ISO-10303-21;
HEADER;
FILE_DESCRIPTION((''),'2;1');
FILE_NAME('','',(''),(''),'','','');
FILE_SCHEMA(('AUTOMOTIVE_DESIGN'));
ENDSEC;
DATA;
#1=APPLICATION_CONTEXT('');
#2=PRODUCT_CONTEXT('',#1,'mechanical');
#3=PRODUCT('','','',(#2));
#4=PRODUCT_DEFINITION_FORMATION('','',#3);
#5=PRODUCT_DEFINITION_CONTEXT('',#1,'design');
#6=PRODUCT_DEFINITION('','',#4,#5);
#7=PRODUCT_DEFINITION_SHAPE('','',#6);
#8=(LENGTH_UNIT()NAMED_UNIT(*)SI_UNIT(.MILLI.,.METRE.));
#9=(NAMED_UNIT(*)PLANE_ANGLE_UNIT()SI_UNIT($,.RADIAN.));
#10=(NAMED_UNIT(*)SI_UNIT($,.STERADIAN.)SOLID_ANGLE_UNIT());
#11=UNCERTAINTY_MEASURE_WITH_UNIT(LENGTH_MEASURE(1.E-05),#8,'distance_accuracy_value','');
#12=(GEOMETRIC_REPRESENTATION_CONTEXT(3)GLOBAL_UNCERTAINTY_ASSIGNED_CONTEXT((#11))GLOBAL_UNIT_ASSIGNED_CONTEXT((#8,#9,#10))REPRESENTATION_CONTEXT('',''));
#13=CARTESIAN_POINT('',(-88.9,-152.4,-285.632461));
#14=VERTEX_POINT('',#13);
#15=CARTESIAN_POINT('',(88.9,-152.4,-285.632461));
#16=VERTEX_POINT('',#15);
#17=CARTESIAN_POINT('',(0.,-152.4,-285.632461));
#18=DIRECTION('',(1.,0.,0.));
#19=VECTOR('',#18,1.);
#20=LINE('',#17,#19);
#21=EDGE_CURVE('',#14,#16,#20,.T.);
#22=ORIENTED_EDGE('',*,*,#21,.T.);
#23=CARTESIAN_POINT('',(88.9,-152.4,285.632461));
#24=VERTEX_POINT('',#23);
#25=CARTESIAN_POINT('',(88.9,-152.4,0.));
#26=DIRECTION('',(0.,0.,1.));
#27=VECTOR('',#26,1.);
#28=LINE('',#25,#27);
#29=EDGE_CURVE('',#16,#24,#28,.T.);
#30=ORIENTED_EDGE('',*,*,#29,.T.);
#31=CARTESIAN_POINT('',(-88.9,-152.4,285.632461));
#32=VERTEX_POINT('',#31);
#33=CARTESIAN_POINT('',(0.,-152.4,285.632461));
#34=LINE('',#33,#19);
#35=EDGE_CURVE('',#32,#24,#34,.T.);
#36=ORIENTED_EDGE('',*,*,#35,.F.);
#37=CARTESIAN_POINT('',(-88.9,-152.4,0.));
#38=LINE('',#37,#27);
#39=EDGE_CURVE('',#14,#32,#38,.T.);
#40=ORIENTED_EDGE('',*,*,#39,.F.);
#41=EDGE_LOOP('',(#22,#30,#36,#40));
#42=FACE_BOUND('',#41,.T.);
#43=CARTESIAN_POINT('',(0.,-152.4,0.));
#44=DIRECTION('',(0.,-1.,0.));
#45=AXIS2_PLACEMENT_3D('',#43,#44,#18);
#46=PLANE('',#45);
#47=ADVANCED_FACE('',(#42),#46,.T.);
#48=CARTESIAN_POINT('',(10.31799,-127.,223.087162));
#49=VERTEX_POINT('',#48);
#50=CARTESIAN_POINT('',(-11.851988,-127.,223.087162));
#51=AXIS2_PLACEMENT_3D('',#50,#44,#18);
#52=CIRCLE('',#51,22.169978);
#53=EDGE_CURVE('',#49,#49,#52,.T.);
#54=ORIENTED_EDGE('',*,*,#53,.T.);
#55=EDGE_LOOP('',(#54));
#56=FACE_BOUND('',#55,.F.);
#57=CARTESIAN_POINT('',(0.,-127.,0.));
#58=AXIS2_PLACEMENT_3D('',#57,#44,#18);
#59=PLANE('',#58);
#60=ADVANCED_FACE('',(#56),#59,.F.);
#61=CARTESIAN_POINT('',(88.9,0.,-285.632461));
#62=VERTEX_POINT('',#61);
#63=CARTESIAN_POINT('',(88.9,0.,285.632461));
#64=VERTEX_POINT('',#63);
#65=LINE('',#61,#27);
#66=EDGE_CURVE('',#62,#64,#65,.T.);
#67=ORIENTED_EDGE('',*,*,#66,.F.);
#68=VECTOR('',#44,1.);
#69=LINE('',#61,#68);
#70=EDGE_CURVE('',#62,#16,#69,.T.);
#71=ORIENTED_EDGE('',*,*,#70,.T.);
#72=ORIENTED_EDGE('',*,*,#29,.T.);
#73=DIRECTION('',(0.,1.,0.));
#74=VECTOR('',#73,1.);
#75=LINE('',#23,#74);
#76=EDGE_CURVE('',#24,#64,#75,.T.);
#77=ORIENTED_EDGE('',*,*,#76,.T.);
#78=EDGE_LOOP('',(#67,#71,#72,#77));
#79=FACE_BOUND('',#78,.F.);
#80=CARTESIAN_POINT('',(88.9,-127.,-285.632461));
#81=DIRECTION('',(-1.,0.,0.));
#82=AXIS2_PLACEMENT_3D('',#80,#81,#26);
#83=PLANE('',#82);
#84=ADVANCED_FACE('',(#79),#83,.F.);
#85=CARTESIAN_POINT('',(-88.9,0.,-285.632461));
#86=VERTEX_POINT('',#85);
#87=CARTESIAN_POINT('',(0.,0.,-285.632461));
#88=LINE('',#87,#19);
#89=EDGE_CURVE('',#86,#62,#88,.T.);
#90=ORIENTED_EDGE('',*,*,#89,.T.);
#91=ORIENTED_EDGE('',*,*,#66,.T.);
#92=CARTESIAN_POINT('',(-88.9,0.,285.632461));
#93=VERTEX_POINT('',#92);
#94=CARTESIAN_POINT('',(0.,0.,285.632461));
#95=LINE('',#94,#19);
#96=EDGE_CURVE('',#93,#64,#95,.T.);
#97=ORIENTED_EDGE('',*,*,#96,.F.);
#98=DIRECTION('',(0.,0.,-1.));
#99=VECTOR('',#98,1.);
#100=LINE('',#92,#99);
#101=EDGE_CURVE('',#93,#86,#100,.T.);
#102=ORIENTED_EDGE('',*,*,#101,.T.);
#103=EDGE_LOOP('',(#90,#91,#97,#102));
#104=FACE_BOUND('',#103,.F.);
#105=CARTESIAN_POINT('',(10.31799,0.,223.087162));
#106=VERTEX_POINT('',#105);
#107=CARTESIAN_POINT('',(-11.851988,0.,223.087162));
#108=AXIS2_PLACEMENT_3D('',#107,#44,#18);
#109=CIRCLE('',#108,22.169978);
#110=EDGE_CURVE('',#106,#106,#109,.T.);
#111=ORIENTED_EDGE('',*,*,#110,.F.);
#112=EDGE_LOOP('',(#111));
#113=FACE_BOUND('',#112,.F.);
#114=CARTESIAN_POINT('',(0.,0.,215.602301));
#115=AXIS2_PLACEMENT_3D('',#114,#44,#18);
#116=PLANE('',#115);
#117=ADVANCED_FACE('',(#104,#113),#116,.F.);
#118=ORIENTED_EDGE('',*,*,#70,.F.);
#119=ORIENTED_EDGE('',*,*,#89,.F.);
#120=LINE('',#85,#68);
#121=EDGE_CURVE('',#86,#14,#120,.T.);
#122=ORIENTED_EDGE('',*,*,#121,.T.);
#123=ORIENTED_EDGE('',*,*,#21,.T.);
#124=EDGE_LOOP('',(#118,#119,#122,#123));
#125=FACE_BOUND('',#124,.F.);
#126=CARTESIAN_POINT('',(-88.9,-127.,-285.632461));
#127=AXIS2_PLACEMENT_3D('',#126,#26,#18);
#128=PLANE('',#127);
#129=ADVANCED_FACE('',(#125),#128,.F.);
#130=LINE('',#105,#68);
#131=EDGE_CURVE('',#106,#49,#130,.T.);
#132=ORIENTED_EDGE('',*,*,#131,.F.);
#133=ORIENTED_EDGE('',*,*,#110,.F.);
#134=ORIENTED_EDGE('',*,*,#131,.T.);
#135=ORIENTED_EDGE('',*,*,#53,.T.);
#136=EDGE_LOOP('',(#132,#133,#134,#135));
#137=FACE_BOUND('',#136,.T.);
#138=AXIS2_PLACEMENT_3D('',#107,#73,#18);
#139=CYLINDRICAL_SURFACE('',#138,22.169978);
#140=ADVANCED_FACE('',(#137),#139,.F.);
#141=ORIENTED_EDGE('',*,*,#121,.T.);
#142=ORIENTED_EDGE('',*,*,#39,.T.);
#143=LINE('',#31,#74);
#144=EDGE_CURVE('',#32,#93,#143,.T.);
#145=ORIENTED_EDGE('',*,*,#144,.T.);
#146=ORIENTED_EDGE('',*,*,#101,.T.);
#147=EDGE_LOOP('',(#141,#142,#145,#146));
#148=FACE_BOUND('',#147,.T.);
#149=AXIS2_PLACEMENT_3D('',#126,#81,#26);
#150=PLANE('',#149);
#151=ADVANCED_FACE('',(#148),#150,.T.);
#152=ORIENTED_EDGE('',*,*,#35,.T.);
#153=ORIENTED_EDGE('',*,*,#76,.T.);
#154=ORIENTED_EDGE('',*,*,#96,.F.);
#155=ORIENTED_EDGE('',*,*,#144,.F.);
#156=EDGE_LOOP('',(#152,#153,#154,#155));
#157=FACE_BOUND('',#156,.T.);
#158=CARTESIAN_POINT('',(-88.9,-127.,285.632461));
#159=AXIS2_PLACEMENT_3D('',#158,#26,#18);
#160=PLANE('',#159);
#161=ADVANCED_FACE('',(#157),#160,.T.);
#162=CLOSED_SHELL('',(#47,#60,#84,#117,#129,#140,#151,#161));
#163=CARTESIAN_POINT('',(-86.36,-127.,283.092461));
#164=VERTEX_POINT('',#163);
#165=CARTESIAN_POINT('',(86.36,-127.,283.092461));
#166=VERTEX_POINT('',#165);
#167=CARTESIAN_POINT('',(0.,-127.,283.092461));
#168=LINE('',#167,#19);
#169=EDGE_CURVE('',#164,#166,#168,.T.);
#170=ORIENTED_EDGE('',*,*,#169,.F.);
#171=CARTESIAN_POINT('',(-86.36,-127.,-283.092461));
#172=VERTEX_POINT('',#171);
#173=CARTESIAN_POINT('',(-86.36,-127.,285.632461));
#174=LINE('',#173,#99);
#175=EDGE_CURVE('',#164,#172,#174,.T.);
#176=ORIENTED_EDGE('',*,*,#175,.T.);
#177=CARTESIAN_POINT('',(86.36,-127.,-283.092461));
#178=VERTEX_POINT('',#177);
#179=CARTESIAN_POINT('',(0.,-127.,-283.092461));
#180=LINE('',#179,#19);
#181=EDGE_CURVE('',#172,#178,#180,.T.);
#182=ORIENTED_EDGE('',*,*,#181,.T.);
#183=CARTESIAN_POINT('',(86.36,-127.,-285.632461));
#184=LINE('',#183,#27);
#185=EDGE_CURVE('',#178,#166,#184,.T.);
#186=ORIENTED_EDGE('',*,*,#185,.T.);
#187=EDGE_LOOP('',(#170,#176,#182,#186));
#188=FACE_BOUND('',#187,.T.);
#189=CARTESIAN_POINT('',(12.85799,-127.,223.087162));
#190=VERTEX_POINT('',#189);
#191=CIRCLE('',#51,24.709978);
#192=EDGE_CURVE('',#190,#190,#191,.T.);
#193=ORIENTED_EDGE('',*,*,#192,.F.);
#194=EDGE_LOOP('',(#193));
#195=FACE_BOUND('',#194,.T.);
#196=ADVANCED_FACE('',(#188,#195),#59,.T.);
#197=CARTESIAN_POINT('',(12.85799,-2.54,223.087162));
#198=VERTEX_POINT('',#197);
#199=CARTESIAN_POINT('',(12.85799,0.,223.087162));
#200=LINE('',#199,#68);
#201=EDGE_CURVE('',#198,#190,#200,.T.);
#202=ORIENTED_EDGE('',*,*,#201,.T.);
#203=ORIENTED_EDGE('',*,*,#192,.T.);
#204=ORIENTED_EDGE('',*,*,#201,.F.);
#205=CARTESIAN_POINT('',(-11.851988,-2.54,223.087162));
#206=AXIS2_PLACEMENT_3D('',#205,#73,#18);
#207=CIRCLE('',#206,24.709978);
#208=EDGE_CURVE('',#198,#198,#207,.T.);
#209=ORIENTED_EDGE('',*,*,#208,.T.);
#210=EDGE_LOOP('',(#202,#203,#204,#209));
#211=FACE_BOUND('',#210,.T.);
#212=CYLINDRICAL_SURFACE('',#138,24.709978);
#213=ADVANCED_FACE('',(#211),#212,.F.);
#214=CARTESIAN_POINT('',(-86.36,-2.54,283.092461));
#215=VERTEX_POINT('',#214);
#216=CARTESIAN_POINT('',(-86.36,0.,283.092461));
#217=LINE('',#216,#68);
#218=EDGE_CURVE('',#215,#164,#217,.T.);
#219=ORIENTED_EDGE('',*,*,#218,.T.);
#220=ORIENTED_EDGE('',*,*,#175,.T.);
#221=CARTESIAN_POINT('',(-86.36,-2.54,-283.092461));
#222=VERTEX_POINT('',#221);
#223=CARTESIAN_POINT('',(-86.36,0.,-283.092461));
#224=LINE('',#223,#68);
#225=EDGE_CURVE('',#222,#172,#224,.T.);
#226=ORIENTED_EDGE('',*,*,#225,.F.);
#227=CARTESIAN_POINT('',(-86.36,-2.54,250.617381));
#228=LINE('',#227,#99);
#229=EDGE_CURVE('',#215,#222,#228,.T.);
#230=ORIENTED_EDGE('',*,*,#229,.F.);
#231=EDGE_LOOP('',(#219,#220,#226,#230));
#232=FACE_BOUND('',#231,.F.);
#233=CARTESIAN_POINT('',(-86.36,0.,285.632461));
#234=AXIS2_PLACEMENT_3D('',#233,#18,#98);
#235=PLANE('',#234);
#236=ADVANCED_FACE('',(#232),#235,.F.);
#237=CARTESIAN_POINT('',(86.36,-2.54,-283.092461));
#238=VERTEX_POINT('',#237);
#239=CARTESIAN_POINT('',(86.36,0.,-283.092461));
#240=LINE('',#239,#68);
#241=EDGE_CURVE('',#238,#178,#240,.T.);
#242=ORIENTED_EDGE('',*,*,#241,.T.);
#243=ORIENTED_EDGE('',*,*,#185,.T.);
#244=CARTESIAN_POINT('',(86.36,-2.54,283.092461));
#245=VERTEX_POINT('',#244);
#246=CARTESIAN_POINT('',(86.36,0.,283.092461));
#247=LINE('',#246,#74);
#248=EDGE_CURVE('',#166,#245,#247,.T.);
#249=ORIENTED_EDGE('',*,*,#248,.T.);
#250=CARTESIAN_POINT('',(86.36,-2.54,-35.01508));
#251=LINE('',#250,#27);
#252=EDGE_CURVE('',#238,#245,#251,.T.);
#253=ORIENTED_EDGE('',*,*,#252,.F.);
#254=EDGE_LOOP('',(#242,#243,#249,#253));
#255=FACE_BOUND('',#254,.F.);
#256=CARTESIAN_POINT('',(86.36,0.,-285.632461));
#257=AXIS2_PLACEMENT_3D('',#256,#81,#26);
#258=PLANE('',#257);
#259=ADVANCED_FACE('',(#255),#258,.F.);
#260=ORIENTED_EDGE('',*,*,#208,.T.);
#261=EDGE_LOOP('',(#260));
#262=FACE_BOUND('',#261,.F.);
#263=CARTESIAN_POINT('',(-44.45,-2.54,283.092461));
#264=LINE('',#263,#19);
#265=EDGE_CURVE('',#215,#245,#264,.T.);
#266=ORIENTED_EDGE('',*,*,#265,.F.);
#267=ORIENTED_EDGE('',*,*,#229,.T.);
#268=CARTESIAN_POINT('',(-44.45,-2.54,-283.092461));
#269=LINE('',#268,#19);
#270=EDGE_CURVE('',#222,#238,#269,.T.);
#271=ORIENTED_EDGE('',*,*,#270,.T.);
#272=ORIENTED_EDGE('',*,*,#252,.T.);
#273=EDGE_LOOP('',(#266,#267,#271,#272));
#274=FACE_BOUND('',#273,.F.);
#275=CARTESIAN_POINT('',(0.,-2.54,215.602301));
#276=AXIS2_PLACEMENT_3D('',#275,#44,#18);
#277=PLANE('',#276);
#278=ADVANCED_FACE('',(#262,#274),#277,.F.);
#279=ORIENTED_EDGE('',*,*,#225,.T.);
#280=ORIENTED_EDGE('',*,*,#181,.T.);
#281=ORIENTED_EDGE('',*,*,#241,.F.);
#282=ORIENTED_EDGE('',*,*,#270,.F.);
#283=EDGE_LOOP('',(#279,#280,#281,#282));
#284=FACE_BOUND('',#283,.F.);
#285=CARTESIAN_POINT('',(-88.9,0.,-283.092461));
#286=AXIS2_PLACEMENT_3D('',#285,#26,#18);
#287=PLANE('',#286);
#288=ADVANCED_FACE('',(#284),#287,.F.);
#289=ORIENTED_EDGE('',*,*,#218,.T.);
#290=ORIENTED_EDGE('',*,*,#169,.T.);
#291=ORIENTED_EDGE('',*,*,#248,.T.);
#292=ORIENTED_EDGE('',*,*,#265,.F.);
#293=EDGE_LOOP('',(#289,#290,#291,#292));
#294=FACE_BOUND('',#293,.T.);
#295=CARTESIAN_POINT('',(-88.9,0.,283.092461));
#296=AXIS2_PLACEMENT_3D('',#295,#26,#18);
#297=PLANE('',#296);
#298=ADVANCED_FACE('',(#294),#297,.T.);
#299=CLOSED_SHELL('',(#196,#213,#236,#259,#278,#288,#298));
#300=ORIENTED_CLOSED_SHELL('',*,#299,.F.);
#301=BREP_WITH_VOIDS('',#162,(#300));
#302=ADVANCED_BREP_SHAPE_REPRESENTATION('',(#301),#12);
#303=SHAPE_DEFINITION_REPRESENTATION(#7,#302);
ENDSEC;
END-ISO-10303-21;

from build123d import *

# Parameters (mm, degrees)
F0_W     = 177.8
F0_H     = 140.06032
F0_R     = 22.169978
F0_H_2   = 431.204602
F1_DEPTH = 127
F2_T     = -2.54
F3_W     = 177.8
F3_H     = 571.264922
F4_DEPTH = 25.4


with BuildPart() as f1:
    # F0 (on Front) → F1 (new body)
    with BuildSketch(Plane.XZ):
        with Locations((0, 215.602301)):
            Rectangle(F0_W, F0_H)
        with Locations((-11.851988, 223.087162)):
            Circle(F0_R, mode=Mode.SUBTRACT)
        with Locations((0, -70.03016)):
            Rectangle(F0_W, F0_H_2)
    extrude(amount=F1_DEPTH)

    # F2
    f2_openings = [f1.faces().sort_by_distance(p)[0] for p in [
        (0.18296, -127, -3.443806),
    ]]
    offset(amount=F2_T, openings=f2_openings)

    # F3 (on face) → F4 (join)
    with BuildSketch(Plane.XZ.offset(127)):
        Rectangle(F3_W, F3_H)
    extrude(amount=F4_DEPTH)


solid = f1.part
